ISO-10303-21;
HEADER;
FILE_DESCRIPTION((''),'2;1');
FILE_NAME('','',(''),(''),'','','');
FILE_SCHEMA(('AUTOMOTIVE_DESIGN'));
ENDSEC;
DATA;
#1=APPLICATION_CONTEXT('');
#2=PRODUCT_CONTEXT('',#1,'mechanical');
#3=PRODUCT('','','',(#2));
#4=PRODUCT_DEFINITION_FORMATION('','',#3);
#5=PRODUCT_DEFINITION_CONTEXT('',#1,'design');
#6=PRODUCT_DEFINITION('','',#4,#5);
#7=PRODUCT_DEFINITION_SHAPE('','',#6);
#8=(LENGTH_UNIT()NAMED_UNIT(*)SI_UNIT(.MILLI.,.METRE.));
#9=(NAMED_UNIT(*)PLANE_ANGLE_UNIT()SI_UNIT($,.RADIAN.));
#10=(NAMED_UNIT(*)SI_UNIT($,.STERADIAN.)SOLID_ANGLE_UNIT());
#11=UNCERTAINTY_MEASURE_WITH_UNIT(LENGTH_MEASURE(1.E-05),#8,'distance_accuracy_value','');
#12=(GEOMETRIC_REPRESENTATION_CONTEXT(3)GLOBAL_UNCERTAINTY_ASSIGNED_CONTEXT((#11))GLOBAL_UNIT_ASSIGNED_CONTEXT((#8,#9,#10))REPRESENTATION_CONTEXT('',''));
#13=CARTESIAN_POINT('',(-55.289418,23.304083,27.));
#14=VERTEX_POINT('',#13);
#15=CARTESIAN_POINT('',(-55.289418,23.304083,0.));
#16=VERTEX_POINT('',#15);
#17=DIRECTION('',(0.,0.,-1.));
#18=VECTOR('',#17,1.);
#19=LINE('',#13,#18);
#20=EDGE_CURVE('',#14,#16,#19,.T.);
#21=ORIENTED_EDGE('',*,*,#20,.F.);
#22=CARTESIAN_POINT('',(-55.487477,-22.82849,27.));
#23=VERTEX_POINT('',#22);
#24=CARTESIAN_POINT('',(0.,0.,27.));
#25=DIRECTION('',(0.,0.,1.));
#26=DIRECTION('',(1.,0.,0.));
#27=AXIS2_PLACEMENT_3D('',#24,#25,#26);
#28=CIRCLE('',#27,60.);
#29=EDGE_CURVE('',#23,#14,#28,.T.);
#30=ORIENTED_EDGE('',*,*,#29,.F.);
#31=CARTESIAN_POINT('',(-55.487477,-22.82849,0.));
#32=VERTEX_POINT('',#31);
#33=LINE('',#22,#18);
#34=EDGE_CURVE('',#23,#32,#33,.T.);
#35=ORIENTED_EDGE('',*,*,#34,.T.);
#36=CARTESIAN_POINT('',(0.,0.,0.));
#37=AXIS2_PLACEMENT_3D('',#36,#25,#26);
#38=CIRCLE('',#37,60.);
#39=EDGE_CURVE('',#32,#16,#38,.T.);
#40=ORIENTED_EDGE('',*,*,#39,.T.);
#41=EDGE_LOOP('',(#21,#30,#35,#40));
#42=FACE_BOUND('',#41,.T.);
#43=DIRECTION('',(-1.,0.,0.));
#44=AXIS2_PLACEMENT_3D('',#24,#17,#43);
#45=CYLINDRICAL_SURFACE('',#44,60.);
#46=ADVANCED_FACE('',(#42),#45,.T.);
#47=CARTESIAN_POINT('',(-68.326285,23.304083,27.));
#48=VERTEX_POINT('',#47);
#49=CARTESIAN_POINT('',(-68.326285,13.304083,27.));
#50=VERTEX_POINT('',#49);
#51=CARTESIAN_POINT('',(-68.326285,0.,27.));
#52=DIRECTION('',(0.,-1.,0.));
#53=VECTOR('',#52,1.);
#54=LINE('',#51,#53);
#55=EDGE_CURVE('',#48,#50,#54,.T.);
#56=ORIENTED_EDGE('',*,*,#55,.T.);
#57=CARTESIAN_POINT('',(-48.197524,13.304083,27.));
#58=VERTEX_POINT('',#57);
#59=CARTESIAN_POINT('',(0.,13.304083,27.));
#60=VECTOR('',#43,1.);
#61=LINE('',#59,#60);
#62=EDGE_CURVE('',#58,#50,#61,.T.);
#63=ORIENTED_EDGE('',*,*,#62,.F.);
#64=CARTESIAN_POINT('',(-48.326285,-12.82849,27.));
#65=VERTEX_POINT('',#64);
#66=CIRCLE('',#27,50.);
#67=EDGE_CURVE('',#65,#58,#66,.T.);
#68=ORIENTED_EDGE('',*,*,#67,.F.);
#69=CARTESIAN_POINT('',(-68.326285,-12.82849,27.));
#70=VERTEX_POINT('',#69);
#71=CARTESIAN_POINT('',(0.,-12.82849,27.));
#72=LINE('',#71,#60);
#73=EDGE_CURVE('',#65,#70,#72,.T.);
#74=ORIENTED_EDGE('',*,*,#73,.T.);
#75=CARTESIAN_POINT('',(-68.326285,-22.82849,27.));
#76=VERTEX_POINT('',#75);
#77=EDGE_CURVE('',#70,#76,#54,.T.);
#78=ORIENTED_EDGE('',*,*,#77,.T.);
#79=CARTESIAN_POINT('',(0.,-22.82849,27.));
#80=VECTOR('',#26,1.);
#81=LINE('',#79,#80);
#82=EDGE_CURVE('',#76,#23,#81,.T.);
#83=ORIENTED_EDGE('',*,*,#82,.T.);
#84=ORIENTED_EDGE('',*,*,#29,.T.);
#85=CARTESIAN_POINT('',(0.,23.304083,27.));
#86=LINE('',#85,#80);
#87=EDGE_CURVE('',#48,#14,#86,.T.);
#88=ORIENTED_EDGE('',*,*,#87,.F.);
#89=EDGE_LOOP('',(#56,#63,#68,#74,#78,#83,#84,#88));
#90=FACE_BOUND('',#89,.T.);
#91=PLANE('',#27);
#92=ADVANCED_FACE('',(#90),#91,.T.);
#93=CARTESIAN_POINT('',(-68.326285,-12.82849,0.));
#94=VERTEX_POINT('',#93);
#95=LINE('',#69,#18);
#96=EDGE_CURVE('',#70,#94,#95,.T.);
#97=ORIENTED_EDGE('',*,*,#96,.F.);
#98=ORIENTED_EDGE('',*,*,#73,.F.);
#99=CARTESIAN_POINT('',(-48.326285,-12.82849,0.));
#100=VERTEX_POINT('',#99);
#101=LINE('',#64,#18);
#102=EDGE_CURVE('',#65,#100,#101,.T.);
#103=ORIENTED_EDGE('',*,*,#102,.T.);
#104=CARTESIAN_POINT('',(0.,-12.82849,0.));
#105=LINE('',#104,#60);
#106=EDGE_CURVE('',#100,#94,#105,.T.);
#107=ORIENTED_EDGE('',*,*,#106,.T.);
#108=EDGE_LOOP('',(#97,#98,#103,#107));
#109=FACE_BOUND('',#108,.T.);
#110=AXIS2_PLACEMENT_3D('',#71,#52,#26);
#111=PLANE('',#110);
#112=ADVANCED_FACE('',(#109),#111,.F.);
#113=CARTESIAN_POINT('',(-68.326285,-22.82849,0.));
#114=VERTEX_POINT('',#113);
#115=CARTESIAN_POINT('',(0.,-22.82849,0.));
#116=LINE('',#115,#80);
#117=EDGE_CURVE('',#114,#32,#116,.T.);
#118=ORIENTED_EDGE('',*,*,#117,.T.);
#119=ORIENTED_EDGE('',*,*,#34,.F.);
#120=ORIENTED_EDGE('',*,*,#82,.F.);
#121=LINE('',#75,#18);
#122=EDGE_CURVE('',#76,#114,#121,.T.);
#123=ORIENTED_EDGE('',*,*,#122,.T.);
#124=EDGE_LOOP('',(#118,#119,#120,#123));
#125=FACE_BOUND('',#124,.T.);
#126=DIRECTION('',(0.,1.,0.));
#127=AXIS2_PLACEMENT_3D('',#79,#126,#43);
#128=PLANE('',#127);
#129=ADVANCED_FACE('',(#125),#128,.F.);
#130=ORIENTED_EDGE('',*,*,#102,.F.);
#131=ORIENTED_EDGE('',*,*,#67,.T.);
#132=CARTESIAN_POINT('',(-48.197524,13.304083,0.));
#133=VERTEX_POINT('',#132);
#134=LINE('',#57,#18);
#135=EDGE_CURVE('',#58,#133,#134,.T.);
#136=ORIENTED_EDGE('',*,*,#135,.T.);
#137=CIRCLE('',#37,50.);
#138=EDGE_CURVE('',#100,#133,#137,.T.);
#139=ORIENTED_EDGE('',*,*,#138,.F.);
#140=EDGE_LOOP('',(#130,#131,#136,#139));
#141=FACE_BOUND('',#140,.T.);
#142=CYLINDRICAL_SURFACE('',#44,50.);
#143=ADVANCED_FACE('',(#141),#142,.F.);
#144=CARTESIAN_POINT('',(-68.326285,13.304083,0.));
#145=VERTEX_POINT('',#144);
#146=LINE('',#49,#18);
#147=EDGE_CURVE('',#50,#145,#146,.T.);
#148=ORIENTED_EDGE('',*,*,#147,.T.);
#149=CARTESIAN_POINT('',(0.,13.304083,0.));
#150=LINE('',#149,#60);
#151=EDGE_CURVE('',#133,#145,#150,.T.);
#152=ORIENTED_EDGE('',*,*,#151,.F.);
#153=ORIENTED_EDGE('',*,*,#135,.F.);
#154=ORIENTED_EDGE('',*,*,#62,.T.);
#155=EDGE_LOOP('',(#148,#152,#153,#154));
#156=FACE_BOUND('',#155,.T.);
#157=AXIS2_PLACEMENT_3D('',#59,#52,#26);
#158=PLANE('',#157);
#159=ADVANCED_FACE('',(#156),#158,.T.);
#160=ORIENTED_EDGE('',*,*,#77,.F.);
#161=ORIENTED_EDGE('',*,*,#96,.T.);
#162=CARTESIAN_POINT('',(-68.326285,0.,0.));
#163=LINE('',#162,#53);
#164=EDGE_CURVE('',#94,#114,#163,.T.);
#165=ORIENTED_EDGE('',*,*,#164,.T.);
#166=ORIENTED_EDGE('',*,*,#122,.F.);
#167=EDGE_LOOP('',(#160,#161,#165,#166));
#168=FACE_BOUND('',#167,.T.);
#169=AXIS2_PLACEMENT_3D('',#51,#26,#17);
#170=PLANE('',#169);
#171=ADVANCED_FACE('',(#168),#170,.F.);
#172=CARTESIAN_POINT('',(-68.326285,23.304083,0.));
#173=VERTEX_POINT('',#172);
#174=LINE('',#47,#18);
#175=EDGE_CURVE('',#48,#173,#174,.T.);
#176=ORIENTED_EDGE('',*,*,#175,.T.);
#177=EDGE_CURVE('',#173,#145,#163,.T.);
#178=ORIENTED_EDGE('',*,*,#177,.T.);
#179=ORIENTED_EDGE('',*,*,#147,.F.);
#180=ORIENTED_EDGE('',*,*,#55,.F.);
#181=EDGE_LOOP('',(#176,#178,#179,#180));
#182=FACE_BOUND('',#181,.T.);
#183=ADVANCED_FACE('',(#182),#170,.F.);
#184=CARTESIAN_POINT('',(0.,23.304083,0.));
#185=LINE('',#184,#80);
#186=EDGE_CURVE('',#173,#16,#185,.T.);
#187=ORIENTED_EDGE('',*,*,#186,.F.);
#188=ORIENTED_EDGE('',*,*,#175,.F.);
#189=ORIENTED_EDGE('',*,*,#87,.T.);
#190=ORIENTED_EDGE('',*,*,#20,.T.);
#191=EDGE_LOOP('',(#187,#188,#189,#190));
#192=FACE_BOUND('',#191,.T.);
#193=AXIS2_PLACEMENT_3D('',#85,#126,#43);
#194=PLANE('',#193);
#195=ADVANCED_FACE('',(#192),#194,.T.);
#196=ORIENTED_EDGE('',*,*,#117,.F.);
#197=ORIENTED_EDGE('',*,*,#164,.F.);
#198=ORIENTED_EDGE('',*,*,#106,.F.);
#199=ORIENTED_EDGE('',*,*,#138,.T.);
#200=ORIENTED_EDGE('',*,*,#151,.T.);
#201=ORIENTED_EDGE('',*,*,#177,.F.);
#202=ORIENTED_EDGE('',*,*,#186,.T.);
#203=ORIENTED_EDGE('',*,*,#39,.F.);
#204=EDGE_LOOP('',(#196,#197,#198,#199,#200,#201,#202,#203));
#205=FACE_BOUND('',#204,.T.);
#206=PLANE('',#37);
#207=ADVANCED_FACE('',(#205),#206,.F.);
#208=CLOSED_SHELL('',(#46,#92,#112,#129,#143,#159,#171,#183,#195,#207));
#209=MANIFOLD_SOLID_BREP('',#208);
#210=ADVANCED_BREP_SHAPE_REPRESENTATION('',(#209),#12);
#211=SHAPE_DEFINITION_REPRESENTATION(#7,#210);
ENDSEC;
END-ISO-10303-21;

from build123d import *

# Parameters (mm, degrees)
BOSS_EXTRUDE1_DEPTH = 27


with BuildPart() as part:
    # Sketch1 → Boss-Extrude1 (new body)
    with BuildSketch(Plane.XY):
        with BuildLine():
            Line((-55.289417574, 23.304083425), (-68.326285262, 23.304083425))
            Line((-68.326285262, 23.304083425), (-68.326285262, 13.304083425))
            Line((-68.326285262, 13.304083425), (-48.197524461, 13.304083425))
            ThreePointArc((-48.197524461, 13.304083425), (49.999393075, -0.246357747), (-48.326285262, -12.828489886))
            Line((-48.326285262, -12.828489886), (-68.326285262, -12.828489886))
            Line((-68.326285262, -12.828489886), (-68.326285262, -22.828489886))
            Line((-68.326285262, -22.828489886), (-55.487476511, -22.828489886))
            ThreePointArc((-55.487476511, -22.828489886), (59.999447046, -0.257592972), (-55.289417574, 23.304083425))
        make_face()
    extrude(amount=BOSS_EXTRUDE1_DEPTH)


solid = part.part
